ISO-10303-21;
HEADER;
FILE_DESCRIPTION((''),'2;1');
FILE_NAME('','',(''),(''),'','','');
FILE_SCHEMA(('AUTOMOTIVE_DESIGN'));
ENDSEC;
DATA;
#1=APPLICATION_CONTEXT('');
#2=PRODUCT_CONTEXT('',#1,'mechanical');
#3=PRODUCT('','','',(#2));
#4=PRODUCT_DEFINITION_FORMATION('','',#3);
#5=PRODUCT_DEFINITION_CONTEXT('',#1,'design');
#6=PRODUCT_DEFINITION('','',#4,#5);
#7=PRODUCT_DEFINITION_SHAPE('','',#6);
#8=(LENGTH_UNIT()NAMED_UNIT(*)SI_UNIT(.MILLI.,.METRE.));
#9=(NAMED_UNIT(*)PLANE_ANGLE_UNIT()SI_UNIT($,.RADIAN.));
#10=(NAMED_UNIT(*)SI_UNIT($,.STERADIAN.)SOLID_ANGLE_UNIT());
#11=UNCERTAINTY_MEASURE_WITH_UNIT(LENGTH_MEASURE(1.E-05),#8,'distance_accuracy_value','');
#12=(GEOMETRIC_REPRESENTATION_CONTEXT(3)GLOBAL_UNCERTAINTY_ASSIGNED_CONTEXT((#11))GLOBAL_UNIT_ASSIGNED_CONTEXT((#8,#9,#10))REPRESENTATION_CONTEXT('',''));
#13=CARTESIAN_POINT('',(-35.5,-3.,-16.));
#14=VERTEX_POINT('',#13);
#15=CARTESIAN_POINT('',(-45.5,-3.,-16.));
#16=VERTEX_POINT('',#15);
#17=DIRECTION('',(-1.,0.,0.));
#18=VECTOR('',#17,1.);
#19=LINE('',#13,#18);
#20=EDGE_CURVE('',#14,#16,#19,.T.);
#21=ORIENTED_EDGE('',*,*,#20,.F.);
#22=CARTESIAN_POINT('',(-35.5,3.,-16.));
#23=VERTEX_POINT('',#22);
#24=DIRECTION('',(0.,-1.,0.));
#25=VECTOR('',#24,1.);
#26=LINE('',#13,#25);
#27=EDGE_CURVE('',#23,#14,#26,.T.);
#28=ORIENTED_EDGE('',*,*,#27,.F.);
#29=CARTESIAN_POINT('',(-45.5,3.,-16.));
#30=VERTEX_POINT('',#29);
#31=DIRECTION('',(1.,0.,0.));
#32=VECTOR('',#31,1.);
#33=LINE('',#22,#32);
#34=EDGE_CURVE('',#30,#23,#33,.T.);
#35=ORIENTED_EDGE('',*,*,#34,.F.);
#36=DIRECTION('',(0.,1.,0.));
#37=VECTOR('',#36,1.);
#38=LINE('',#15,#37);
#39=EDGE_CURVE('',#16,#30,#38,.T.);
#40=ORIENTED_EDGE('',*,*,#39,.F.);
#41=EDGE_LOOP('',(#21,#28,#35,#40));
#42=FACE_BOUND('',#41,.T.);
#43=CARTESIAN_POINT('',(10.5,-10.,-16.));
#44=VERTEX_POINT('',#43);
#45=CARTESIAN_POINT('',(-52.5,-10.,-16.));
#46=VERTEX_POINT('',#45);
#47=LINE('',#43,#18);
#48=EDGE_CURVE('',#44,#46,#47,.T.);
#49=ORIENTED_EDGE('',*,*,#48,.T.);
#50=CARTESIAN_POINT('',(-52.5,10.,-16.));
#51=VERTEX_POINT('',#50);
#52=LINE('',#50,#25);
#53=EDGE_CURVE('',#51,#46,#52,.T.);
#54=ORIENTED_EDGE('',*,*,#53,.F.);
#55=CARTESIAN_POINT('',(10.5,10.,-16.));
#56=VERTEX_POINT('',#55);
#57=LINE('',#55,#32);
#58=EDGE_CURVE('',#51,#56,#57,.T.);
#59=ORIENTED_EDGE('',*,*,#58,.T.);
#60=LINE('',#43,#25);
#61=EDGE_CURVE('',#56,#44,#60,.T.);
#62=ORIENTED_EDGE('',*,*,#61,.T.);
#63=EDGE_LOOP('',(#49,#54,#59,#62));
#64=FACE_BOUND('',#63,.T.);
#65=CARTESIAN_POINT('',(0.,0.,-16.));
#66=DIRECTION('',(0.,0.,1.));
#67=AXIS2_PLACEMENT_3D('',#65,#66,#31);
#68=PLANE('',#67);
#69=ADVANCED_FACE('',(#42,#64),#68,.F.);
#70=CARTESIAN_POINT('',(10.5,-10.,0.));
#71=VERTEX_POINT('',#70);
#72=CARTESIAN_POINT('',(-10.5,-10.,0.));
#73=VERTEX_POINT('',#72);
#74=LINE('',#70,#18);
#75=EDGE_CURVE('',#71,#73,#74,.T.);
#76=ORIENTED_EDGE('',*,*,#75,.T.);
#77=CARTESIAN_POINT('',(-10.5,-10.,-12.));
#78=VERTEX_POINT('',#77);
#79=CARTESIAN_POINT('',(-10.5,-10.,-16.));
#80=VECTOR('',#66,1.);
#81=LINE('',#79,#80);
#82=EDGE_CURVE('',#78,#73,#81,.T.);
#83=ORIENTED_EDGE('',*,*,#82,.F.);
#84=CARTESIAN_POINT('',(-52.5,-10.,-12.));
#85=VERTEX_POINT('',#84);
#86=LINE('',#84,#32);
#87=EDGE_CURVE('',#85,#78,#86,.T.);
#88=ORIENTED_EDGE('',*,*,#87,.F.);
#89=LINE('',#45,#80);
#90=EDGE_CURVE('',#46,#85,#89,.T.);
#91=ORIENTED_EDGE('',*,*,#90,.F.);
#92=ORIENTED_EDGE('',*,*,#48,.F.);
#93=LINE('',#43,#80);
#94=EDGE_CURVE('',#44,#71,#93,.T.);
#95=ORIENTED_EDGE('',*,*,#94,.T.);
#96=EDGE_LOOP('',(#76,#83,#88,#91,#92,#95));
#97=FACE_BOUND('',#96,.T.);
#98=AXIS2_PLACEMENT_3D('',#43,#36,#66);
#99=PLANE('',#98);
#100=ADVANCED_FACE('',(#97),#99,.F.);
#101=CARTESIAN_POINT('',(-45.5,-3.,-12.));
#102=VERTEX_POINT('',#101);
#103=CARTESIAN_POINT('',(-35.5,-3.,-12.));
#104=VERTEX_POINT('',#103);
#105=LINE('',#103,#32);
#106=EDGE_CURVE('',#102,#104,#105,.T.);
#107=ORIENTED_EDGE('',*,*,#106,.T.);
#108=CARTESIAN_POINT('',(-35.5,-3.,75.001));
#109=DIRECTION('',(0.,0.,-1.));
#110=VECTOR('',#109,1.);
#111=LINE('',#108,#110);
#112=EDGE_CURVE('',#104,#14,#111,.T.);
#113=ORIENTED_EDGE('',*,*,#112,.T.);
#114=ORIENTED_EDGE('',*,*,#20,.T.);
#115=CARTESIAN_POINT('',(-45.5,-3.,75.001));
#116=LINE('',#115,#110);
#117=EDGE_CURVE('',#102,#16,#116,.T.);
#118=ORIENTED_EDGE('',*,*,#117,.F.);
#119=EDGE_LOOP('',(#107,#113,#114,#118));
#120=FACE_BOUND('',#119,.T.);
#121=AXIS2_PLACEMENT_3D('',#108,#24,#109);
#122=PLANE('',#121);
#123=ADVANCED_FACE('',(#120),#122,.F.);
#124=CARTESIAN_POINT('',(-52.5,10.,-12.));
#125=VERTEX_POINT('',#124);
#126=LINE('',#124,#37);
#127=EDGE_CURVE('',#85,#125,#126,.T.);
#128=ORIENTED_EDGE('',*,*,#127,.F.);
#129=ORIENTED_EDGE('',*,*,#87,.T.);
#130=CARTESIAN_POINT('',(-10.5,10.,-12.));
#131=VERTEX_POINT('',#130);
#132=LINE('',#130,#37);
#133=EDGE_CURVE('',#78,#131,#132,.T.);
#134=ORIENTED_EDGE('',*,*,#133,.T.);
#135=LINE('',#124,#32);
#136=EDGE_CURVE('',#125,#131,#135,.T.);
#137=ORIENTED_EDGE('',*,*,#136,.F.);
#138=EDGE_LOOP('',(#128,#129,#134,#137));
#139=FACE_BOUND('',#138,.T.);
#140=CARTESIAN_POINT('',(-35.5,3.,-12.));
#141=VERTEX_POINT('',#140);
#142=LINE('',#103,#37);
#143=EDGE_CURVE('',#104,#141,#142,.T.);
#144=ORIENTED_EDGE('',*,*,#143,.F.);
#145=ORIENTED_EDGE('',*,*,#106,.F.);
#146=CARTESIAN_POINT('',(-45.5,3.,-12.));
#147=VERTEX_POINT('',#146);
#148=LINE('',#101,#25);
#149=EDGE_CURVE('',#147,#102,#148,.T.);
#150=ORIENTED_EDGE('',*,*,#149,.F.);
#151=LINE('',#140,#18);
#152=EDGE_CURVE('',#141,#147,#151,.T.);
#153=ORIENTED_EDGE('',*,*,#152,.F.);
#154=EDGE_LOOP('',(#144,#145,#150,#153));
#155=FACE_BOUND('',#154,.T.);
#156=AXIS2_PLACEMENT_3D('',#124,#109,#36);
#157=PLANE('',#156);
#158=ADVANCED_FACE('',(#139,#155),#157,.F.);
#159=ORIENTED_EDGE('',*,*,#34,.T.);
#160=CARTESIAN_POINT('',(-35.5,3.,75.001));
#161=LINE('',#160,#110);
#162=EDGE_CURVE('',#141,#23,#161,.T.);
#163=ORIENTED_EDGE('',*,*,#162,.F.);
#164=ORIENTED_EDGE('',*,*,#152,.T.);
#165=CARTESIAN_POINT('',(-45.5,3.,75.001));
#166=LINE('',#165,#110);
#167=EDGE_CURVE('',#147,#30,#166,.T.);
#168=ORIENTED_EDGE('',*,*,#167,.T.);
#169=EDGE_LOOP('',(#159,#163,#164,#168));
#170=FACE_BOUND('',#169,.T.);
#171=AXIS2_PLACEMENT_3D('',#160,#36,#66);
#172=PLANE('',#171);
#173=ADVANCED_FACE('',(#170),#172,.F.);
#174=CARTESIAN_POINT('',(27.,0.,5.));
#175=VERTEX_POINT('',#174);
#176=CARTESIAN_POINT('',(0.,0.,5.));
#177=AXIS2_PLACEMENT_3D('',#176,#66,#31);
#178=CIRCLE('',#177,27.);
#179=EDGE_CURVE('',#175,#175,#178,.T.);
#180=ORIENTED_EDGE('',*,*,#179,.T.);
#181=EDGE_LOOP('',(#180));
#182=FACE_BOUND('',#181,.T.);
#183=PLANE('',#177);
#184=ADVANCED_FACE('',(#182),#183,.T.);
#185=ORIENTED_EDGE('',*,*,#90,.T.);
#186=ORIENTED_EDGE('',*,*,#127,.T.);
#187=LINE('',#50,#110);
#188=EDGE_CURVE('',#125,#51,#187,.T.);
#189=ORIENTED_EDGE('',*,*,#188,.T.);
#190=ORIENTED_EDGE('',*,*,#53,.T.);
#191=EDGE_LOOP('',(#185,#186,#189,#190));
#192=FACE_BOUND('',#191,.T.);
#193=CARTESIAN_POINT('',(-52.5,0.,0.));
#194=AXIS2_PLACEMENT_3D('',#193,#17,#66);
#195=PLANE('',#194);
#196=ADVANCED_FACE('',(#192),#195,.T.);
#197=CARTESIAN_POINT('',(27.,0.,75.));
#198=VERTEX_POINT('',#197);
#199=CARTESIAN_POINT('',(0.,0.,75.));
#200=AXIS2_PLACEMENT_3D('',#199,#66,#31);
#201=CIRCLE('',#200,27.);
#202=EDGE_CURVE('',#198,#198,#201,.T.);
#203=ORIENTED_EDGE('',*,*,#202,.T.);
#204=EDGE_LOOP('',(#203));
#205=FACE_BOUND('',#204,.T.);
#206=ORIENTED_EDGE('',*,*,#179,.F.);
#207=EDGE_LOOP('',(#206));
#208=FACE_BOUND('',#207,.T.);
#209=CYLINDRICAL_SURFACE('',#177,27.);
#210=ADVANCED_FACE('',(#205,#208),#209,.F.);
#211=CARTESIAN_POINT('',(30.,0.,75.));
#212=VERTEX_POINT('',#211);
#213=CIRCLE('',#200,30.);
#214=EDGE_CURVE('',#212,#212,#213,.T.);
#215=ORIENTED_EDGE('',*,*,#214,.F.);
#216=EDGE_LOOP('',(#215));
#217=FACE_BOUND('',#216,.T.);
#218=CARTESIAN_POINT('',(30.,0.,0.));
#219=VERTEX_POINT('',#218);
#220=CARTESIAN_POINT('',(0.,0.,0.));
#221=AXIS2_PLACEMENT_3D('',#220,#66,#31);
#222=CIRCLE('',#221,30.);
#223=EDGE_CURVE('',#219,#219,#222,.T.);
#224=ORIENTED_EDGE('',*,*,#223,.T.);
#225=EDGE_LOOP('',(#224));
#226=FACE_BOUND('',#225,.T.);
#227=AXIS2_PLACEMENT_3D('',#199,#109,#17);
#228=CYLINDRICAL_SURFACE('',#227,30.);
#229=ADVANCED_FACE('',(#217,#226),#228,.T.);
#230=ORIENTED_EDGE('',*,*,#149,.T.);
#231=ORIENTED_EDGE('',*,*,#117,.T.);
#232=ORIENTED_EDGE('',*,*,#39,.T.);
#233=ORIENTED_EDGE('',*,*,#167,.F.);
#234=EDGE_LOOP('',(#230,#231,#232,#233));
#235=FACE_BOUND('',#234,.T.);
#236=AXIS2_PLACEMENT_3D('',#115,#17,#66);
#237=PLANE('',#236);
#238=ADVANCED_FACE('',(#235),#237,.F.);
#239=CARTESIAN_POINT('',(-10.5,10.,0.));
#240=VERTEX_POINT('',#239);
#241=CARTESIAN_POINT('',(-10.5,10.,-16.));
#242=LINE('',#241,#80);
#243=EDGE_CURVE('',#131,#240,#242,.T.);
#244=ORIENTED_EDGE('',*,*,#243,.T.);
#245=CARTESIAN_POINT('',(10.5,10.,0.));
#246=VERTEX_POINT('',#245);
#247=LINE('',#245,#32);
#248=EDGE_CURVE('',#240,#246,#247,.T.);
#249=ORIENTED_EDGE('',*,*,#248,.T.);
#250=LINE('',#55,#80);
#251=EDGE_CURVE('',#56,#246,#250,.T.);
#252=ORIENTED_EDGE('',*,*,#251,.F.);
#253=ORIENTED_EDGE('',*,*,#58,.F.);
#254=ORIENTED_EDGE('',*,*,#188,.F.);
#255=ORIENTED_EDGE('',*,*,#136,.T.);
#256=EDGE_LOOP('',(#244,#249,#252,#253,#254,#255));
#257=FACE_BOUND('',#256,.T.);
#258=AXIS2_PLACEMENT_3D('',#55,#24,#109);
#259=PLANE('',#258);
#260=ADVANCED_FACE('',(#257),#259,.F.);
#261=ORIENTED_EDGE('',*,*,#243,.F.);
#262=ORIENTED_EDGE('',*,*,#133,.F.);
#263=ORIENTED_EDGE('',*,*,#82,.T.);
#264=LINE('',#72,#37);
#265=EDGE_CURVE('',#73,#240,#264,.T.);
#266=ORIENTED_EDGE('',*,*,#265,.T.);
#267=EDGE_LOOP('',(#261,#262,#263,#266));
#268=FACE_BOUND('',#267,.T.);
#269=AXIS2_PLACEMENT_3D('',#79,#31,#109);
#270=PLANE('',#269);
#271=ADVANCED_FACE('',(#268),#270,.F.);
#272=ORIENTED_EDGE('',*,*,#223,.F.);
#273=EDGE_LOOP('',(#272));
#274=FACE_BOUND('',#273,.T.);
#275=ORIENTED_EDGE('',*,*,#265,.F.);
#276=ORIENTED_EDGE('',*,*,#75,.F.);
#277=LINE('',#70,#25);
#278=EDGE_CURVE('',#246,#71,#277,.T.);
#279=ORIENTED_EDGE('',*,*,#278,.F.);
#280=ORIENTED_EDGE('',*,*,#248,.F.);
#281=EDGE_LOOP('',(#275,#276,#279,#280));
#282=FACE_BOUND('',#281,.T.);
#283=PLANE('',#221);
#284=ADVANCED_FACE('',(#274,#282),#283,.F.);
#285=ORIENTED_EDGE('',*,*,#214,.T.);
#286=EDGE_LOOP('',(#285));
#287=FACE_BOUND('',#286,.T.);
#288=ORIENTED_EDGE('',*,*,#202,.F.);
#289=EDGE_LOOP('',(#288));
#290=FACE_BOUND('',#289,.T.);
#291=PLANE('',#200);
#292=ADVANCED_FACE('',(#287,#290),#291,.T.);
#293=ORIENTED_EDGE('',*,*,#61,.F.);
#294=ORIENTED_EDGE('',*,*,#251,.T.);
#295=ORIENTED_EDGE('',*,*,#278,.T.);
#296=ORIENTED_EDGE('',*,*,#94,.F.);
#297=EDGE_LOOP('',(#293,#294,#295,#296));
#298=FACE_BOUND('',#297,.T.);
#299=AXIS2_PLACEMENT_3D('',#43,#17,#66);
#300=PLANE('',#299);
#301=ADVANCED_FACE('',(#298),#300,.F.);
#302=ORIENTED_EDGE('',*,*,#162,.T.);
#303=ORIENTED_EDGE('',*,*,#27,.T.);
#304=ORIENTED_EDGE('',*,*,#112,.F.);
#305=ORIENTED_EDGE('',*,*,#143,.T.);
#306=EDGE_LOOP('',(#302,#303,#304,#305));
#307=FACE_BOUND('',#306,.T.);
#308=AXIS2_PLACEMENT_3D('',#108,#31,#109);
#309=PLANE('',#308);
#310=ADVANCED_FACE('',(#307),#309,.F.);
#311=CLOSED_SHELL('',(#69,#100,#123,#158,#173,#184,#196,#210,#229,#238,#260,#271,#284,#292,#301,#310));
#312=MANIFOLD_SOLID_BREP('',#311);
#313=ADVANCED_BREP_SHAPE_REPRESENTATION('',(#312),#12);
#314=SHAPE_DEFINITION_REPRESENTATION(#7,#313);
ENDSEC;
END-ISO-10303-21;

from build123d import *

# Parameters (mm, degrees)
ESQUISSE1_R             = 30
BOSS_EXTRU_1_DEPTH      = 75
ESQUISSE2_R             = 27
ENL_V_MAT_EXTRU_1_DEPTH = 70
ESQUISSE3_W             = 21
ESQUISSE3_H             = 20
BOSS_EXTRU_2_DEPTH      = 16
ESQUISSE4_W             = 4
ESQUISSE4_H             = 20
BOSS_EXTRU_3_DEPTH      = 42
ENL_V_MAT_EXTRU_2_REACH = 111.258
ESQUISSE5_W             = 10
ESQUISSE5_H             = 6


with BuildPart() as part:
    # Esquisse1 → Boss.-Extru.1 (new body)
    with BuildSketch(Plane.XY):
        Circle(ESQUISSE1_R)
    extrude(amount=BOSS_EXTRU_1_DEPTH)

    # Esquisse2 → Enlèv. mat.-Extru.1 (cut)
    with BuildSketch(Plane.XY.offset(75)):
        Circle(ESQUISSE2_R)
    extrude(amount=-ENL_V_MAT_EXTRU_1_DEPTH, mode=Mode.SUBTRACT)

    # Esquisse3 → Boss.-Extru.2 (add)
    with BuildSketch(Plane(origin=(0, 0, 0), x_dir=(-1, 0, 0), z_dir=(0, 0, -1))):
        Rectangle(ESQUISSE3_W, ESQUISSE3_H)
    extrude(amount=BOSS_EXTRU_2_DEPTH)

    # Esquisse4 → Boss.-Extru.3 (add)
    with BuildSketch(Plane.ZY.offset(10.5)):
        with Locations((-14, 0)):
            Rectangle(ESQUISSE4_W, ESQUISSE4_H)
    extrude(amount=BOSS_EXTRU_3_DEPTH)

    # Esquisse5 → Enlèv. mat.-Extru.2 (cut, up to next)
    with BuildSketch(Plane(origin=(0, 0, -16), x_dir=(-1, 0, 0), z_dir=(0, 0, -1)), mode=Mode.PRIVATE) as enl_v_mat_extru_2_sk1:
        with Locations((40.5, 0)):
            Rectangle(ESQUISSE5_W, ESQUISSE5_H)
    enl_v_mat_extru_2_tool1 = extrude(enl_v_mat_extru_2_sk1.sketch, amount=-ENL_V_MAT_EXTRU_2_REACH, mode=Mode.PRIVATE) & part.part
    add(enl_v_mat_extru_2_tool1.solids().sort_by_distance((-40.5, 0, -16))[0], mode=Mode.SUBTRACT)


solid = part.part
